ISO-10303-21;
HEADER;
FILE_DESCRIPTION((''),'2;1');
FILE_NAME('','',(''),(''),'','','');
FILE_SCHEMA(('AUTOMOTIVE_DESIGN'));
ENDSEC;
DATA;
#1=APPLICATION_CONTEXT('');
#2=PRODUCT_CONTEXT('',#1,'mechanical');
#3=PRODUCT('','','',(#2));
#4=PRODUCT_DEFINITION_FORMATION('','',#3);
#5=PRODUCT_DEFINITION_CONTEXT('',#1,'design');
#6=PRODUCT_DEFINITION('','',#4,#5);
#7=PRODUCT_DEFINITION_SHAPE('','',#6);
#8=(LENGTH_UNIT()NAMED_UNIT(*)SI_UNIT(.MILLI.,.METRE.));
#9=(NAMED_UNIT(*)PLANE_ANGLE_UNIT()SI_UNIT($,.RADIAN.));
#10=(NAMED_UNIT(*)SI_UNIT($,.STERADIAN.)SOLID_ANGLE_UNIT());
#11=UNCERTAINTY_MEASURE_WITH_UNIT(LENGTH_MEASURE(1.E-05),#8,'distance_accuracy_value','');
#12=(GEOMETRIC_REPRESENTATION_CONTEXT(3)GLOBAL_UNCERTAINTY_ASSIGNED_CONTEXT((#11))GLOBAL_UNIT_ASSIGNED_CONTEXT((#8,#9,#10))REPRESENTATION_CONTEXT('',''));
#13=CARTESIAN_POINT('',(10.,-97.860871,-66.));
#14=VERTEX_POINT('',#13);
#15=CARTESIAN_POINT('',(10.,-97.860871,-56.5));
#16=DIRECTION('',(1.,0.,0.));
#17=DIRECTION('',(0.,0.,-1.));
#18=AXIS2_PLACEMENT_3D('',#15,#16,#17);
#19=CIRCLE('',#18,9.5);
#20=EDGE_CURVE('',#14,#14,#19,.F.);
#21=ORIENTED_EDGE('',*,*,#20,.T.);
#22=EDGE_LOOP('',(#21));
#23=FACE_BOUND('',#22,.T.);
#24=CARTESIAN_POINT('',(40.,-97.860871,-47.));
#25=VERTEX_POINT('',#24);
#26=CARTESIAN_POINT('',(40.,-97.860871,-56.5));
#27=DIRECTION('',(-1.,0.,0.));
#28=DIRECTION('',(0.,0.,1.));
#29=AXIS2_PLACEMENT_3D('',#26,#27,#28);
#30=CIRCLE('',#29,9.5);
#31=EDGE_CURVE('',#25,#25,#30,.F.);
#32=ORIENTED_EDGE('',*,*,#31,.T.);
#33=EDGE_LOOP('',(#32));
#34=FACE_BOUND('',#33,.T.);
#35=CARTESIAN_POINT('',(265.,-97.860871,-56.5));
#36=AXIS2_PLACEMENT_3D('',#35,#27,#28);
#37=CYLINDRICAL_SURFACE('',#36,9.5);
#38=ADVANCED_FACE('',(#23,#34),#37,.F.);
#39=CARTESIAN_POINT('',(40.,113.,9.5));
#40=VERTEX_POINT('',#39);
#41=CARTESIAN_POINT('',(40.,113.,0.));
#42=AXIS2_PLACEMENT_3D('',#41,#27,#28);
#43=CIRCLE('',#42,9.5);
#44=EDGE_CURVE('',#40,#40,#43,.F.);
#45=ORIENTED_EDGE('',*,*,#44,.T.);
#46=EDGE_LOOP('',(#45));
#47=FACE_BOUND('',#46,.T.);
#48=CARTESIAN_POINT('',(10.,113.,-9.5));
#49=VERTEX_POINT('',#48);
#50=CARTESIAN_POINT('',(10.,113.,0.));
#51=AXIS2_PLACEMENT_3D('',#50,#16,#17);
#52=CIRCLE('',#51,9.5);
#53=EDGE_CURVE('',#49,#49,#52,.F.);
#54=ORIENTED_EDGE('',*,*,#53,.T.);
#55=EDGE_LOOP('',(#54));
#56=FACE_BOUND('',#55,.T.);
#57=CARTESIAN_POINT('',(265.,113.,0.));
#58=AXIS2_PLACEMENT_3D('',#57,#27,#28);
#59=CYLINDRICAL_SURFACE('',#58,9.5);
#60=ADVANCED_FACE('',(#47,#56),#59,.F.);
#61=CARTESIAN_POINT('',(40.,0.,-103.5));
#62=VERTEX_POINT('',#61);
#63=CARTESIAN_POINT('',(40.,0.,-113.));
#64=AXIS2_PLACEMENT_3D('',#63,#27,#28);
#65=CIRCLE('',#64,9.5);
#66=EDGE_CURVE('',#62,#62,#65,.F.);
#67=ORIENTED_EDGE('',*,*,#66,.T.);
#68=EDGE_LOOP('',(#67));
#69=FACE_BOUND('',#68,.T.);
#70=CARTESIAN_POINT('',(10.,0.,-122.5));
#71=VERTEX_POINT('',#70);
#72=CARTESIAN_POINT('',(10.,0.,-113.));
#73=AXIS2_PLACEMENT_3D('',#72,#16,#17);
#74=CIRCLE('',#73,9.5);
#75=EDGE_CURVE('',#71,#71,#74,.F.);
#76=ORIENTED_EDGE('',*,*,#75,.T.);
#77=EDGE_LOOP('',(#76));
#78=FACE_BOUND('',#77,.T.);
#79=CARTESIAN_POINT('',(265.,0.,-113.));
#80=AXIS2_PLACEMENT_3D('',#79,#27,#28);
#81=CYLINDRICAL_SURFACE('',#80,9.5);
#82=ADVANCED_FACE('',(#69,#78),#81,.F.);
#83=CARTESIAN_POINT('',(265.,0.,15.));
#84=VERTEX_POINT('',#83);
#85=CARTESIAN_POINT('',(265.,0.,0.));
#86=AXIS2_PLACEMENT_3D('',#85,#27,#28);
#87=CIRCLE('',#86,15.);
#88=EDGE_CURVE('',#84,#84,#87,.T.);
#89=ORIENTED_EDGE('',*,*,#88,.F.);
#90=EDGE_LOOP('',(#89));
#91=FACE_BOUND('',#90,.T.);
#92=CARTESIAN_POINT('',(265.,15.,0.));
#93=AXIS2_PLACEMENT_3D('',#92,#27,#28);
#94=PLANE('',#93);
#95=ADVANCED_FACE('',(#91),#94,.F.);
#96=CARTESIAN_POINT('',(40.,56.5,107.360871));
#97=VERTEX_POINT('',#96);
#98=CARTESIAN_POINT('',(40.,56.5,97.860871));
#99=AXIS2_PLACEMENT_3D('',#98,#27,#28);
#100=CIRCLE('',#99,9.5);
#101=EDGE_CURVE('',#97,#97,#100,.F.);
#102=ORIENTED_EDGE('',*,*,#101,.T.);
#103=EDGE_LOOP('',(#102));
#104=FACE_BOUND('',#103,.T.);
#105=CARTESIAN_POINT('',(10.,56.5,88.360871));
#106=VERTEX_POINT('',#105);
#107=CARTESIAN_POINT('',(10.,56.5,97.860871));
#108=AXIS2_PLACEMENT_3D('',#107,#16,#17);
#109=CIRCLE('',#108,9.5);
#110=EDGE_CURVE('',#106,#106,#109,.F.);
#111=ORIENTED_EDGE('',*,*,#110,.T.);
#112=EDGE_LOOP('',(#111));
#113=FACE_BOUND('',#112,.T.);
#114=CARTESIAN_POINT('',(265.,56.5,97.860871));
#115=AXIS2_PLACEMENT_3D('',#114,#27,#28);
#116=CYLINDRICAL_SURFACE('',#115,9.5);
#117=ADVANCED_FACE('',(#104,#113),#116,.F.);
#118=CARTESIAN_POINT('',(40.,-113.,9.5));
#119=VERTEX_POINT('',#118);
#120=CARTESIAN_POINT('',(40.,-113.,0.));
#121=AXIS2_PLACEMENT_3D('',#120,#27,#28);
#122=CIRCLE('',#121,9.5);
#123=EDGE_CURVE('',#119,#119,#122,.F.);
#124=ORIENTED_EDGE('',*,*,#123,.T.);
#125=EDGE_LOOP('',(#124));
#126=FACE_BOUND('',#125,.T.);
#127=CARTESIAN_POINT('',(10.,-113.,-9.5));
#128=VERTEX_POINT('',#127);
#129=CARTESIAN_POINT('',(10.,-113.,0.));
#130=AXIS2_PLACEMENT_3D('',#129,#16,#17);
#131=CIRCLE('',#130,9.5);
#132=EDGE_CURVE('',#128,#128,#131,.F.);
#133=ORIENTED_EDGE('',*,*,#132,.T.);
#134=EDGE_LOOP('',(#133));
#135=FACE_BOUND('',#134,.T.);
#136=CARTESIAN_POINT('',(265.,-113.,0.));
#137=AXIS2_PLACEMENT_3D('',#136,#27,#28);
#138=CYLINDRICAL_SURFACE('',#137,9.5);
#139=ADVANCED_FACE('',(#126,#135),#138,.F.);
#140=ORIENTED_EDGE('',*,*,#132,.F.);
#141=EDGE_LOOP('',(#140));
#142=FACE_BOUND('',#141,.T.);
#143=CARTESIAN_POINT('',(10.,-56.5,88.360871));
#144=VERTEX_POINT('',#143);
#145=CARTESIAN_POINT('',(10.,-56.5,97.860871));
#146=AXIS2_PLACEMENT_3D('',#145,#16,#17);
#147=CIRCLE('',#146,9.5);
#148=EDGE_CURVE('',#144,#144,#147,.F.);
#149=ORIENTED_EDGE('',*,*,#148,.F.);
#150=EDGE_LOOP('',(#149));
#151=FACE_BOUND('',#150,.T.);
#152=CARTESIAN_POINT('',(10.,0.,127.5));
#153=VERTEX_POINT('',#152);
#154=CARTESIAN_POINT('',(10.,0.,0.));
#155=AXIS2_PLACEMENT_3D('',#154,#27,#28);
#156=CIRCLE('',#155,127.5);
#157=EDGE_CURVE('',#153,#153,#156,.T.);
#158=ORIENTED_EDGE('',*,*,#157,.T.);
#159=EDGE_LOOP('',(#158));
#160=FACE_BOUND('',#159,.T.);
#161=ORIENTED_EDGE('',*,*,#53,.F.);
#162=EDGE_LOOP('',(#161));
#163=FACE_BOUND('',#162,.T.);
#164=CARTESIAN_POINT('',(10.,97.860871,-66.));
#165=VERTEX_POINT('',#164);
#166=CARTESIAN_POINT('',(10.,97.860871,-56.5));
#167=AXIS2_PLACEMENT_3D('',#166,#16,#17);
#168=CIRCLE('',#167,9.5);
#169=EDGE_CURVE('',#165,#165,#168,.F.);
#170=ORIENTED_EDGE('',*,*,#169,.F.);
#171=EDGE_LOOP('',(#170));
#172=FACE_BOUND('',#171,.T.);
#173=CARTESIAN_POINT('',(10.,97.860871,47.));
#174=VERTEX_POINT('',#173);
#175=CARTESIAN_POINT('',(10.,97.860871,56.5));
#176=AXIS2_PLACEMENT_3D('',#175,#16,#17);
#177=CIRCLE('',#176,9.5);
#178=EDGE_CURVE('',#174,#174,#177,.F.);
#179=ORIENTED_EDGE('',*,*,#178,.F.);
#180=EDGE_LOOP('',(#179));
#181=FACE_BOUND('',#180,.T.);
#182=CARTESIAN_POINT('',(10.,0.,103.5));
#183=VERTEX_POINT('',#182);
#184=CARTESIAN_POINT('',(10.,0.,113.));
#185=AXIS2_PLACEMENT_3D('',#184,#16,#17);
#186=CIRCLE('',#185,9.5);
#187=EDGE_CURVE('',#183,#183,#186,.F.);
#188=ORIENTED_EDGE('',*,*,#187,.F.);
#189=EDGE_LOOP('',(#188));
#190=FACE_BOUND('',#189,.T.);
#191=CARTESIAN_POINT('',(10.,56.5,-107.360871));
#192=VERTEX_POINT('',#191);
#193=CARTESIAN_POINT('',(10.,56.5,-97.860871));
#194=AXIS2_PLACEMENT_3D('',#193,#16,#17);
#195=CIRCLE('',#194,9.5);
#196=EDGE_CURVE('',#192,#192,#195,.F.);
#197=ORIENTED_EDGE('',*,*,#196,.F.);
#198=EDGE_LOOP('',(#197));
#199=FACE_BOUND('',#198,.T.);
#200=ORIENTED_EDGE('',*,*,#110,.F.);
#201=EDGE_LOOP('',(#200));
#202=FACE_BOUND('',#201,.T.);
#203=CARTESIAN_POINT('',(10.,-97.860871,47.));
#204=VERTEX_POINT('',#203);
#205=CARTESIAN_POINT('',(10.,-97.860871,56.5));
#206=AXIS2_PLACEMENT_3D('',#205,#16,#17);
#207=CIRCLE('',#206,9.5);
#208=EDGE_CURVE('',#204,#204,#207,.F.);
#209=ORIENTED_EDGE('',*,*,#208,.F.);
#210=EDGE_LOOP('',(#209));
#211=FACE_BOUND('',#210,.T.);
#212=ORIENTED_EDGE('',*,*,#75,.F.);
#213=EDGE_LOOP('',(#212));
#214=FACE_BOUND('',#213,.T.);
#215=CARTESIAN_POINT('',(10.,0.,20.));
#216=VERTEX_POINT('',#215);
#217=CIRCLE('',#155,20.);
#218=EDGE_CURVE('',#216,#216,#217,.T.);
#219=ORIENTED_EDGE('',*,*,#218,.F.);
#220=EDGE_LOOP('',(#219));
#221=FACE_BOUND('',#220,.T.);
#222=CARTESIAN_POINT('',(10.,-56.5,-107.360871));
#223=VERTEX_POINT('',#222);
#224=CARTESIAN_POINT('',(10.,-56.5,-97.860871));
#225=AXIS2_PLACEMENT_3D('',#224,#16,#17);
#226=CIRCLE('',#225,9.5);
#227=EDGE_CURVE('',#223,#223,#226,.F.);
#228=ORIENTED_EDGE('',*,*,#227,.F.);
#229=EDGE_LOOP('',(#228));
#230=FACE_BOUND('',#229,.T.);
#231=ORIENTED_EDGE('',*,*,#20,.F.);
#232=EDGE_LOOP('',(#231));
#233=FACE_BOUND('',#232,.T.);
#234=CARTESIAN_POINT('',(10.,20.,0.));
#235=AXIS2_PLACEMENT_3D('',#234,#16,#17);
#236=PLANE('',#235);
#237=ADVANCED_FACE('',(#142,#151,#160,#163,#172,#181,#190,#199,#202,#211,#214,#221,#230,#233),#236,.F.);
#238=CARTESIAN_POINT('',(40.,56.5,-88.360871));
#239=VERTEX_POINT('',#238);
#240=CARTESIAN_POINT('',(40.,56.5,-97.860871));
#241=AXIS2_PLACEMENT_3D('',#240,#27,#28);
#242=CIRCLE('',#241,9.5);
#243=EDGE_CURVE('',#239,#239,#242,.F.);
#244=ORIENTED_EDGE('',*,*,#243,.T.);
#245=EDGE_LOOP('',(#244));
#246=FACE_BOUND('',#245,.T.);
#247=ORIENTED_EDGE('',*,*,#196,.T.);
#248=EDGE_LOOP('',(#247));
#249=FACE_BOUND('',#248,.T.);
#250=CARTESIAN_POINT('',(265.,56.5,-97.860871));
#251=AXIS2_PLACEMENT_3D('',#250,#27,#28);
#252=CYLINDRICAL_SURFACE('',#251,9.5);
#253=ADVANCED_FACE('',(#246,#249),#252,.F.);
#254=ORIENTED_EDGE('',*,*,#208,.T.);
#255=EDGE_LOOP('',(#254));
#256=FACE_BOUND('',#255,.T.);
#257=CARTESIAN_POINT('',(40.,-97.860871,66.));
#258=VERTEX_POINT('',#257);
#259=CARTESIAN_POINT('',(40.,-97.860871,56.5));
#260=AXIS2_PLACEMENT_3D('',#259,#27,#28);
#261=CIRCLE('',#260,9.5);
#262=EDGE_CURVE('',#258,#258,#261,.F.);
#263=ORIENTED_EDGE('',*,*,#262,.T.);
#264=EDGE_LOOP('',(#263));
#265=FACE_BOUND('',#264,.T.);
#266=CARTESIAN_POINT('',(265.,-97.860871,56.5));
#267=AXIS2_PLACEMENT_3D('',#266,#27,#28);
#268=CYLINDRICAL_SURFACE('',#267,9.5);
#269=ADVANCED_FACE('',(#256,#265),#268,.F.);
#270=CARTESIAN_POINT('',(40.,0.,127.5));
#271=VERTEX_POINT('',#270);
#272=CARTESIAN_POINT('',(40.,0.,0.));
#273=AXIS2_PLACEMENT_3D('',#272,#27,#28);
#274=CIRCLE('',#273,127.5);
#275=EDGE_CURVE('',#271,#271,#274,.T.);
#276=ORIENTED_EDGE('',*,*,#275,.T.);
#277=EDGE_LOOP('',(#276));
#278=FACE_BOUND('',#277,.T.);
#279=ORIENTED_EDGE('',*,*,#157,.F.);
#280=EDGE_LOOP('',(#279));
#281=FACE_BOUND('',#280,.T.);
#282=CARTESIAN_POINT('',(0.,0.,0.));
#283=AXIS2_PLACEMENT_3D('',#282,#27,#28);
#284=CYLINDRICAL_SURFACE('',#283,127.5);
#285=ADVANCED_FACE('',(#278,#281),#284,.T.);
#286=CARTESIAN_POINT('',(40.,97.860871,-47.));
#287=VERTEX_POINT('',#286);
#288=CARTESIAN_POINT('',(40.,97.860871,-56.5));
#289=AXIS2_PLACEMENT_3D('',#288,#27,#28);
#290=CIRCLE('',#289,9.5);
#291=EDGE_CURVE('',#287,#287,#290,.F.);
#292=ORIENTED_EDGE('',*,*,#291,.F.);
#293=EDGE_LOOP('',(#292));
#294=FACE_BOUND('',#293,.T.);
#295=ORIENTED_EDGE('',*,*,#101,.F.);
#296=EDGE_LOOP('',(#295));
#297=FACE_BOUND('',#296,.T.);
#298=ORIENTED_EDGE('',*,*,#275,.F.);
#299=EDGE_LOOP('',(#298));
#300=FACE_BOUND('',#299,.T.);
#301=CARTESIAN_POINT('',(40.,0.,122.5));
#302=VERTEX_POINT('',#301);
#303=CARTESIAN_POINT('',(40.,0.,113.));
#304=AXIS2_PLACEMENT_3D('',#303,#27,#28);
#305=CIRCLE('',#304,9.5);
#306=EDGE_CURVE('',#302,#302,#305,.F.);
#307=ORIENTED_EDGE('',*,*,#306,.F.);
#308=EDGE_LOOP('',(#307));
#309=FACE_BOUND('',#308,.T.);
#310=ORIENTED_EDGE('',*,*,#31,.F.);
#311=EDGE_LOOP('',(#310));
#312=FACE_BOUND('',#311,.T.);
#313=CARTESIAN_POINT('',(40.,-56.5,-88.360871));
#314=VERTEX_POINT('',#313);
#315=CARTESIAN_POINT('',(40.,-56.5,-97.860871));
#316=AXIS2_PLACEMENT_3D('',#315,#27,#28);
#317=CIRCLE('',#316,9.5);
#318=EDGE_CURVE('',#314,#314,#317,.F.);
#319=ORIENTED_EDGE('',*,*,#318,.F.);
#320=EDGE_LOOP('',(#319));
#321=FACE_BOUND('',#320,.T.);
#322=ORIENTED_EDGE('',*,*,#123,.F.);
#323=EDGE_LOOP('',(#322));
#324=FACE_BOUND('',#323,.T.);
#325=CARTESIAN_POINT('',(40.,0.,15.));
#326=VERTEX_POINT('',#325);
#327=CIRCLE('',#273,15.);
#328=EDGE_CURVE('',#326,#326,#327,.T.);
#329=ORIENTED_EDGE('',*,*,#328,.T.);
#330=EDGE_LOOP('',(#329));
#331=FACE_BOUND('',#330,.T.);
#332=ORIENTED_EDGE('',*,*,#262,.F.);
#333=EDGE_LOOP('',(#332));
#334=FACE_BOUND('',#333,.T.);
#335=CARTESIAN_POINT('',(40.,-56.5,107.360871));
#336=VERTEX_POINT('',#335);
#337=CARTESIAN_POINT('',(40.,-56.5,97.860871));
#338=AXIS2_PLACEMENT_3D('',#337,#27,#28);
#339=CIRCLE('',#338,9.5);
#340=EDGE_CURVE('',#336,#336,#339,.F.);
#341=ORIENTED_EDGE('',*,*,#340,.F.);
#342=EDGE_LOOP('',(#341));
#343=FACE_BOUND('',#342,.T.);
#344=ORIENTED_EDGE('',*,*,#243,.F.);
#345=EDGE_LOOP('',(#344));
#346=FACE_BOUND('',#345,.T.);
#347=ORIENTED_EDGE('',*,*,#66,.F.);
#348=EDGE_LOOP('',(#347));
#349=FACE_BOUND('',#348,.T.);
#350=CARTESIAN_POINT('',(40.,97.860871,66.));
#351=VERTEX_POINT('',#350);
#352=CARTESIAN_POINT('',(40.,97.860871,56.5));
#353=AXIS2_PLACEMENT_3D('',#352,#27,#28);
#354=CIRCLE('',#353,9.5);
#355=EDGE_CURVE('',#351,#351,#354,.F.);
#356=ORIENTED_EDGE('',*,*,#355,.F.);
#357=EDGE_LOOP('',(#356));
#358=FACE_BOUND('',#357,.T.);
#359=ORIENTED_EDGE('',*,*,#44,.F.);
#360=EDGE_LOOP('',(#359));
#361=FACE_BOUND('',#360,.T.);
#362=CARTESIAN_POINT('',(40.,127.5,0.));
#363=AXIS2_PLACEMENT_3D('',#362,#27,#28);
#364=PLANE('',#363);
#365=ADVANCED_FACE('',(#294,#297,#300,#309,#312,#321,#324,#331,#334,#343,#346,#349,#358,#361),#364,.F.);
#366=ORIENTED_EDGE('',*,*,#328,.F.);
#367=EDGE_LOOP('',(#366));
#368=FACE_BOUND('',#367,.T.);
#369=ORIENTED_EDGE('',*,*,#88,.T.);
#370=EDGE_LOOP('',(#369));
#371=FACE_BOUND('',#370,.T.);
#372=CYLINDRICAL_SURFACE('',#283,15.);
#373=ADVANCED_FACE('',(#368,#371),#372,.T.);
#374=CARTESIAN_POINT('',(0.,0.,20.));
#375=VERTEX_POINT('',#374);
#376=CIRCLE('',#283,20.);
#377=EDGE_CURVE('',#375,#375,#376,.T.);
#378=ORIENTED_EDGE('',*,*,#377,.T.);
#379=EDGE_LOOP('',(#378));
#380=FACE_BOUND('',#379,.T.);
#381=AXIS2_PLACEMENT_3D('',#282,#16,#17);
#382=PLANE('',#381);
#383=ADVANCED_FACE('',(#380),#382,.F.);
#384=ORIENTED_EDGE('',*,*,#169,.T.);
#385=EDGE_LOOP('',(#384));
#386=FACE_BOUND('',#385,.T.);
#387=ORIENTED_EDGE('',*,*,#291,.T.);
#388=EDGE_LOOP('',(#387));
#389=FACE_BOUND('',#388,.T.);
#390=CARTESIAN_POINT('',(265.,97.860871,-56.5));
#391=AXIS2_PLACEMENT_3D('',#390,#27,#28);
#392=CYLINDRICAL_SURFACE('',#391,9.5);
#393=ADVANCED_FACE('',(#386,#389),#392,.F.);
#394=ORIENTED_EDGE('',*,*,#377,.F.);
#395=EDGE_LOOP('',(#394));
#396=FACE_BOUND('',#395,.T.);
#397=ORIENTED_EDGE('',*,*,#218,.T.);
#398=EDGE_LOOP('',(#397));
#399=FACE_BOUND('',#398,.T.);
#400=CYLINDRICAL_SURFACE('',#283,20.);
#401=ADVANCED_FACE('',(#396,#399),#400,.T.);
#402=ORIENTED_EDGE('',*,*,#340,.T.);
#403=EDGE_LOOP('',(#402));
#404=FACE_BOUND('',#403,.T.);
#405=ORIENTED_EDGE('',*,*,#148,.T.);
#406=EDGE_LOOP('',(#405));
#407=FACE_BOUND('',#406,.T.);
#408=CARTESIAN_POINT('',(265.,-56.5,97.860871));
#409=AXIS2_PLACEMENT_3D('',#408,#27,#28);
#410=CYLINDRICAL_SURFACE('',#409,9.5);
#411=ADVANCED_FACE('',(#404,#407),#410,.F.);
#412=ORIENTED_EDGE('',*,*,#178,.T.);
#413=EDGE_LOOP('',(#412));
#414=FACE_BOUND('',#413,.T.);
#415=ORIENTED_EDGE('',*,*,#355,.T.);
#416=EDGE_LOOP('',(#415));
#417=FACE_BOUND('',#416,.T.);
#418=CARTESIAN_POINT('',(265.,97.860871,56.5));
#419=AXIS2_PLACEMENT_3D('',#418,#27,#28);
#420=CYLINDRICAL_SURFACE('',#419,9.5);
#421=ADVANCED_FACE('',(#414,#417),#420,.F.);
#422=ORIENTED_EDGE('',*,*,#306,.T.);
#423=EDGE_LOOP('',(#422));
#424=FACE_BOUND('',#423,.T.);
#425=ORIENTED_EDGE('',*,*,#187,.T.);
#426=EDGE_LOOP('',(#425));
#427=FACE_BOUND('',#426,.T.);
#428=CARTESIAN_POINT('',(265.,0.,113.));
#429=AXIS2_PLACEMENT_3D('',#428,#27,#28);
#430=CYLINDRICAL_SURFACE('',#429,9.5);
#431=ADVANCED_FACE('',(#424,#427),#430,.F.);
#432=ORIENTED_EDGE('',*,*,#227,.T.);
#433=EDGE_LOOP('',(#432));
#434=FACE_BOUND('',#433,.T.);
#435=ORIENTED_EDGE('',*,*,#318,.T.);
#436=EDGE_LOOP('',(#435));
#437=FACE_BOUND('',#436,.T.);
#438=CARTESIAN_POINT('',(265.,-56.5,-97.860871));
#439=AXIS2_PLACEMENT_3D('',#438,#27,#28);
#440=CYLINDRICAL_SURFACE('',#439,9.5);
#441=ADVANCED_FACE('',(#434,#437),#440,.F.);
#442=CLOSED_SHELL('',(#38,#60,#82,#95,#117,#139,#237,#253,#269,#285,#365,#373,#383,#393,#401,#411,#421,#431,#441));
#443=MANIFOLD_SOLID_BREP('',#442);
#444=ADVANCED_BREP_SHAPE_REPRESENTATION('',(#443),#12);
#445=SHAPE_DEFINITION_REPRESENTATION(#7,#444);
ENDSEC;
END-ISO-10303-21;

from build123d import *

# Parameters (mm, degrees)
SKETCH_2_R           = 9.5
CUT_EXTRUDE_1_DEPTH  = 321.526909947
SKETCH_3_R           = 9.5
CUT_EXTRUDE_2_DEPTH  = 321.526909947
SKETCH_4_R           = 9.5
CUT_EXTRUDE_3_DEPTH  = 321.526909947
SKETCH_5_R           = 9.5
CUT_EXTRUDE_4_DEPTH  = 321.526909947
SKETCH_6_R           = 9.5
CUT_EXTRUDE_5_DEPTH  = 321.526909947
SKETCH_7_R           = 9.5
CUT_EXTRUDE_6_DEPTH  = 321.526909947
SKETCH_8_R           = 9.5
CUT_EXTRUDE_7_DEPTH  = 321.526909947
SKETCH_9_R           = 9.5
CUT_EXTRUDE_8_DEPTH  = 321.526909947
SKETCH_10_R          = 9.5
CUT_EXTRUDE_9_DEPTH  = 321.526909947
SKETCH_11_R          = 9.5
CUT_EXTRUDE_10_DEPTH = 321.526909947
SKETCH_12_R          = 9.5
CUT_EXTRUDE_11_DEPTH = 321.526909947
SKETCH_13_R          = 9.5
CUT_EXTRUDE_12_DEPTH = 321.526909947


with BuildPart() as part:
    # Эскиз1 → Повернуть1 (revolve)
    with BuildSketch(Plane.XY, mode=Mode.PRIVATE) as revolve_1_sk:
        Polygon((0, 0), (265, 0), (265, 15), (40, 15), (40, 127.5), (10, 127.5), (10, 20), (0, 20), align=None)
    revolve(revolve_1_sk.sketch.rotate(Axis((0, 0, 0), (1, 0, 0)), 90), axis=Axis((0, 0, 0), (1, 0, 0)))

    # Эскиз2 → Вырез-Вытянуть1 (cut, through all)
    with BuildSketch(Plane(origin=(0, 0, 0), x_dir=(0, 0, -1), z_dir=(1, 0, 0))):
        with Locations(Location((0, 113, 0), (0, 0, 180))):
            Circle(SKETCH_2_R)
    extrude(amount=CUT_EXTRUDE_1_DEPTH, mode=Mode.SUBTRACT)

    # Эскиз3 → Вырез-Вытянуть2 (cut, through all)
    with BuildSketch(Plane(origin=(0, 0, 0), x_dir=(0, 0, -1), z_dir=(1, 0, 0))):
        with Locations(Location((-56.5, 97.860870628, 0), (0, 0, 180))):
            Circle(SKETCH_3_R)
    extrude(amount=CUT_EXTRUDE_2_DEPTH, mode=Mode.SUBTRACT)

    # Эскиз4 → Вырез-Вытянуть3 (cut, through all)
    with BuildSketch(Plane(origin=(0, 0, 0), x_dir=(0, 0, -1), z_dir=(1, 0, 0))):
        with Locations(Location((-97.860870628, 56.5, 0), (0, 0, 180))):
            Circle(SKETCH_4_R)
    extrude(amount=CUT_EXTRUDE_3_DEPTH, mode=Mode.SUBTRACT)

    # Эскиз5 → Вырез-Вытянуть4 (cut, through all)
    with BuildSketch(Plane(origin=(0, 0, 0), x_dir=(0, 0, -1), z_dir=(1, 0, 0))):
        with Locations(Location((-113, 0, 0), (0, 0, 180))):
            Circle(SKETCH_5_R)
    extrude(amount=CUT_EXTRUDE_4_DEPTH, mode=Mode.SUBTRACT)

    # Эскиз6 → Вырез-Вытянуть5 (cut, through all)
    with BuildSketch(Plane(origin=(0, 0, 0), x_dir=(0, 0, -1), z_dir=(1, 0, 0))):
        with Locations(Location((-97.860870628, -56.5, 0), (0, 0, 180))):
            Circle(SKETCH_6_R)
    extrude(amount=CUT_EXTRUDE_5_DEPTH, mode=Mode.SUBTRACT)

    # Эскиз7 → Вырез-Вытянуть6 (cut, through all)
    with BuildSketch(Plane(origin=(0, 0, 0), x_dir=(0, 0, -1), z_dir=(1, 0, 0))):
        with Locations(Location((-56.5, -97.860870628, 0), (0, 0, 180))):
            Circle(SKETCH_7_R)
    extrude(amount=CUT_EXTRUDE_6_DEPTH, mode=Mode.SUBTRACT)

    # Эскиз8 → Вырез-Вытянуть7 (cut, through all)
    with BuildSketch(Plane(origin=(0, 0, 0), x_dir=(0, 0, -1), z_dir=(1, 0, 0))):
        with Locations(Location((0, -113, 0), (0, 0, 180))):
            Circle(SKETCH_8_R)
    extrude(amount=CUT_EXTRUDE_7_DEPTH, mode=Mode.SUBTRACT)

    # Эскиз9 → Вырез-Вытянуть8 (cut, through all)
    with BuildSketch(Plane(origin=(0, 0, 0), x_dir=(0, 0, -1), z_dir=(1, 0, 0))):
        with Locations(Location((56.5, -97.860870628, 0), (0, 0, 180))):
            Circle(SKETCH_9_R)
    extrude(amount=CUT_EXTRUDE_8_DEPTH, mode=Mode.SUBTRACT)

    # Эскиз10 → Вырез-Вытянуть9 (cut, through all)
    with BuildSketch(Plane(origin=(0, 0, 0), x_dir=(0, 0, -1), z_dir=(1, 0, 0))):
        with Locations(Location((97.860870628, -56.5, 0), (0, 0, 180))):
            Circle(SKETCH_10_R)
    extrude(amount=CUT_EXTRUDE_9_DEPTH, mode=Mode.SUBTRACT)

    # Эскиз11 → Вырез-Вытянуть10 (cut, through all)
    with BuildSketch(Plane(origin=(0, 0, 0), x_dir=(0, 0, -1), z_dir=(1, 0, 0))):
        with Locations(Location((113, 0, 0), (0, 0, 180))):
            Circle(SKETCH_11_R)
    extrude(amount=CUT_EXTRUDE_10_DEPTH, mode=Mode.SUBTRACT)

    # Эскиз12 → Вырез-Вытянуть11 (cut, through all)
    with BuildSketch(Plane(origin=(0, 0, 0), x_dir=(0, 0, -1), z_dir=(1, 0, 0))):
        with Locations(Location((97.860870628, 56.5, 0), (0, 0, 180))):
            Circle(SKETCH_12_R)
    extrude(amount=CUT_EXTRUDE_11_DEPTH, mode=Mode.SUBTRACT)

    # Эскиз13 → Вырез-Вытянуть12 (cut, through all)
    with BuildSketch(Plane(origin=(0, 0, 0), x_dir=(0, 0, -1), z_dir=(1, 0, 0))):
        with Locations(Location((56.5, 97.860870628, 0), (0, 0, 180))):
            Circle(SKETCH_13_R)
    extrude(amount=CUT_EXTRUDE_12_DEPTH, mode=Mode.SUBTRACT)


solid = part.part
